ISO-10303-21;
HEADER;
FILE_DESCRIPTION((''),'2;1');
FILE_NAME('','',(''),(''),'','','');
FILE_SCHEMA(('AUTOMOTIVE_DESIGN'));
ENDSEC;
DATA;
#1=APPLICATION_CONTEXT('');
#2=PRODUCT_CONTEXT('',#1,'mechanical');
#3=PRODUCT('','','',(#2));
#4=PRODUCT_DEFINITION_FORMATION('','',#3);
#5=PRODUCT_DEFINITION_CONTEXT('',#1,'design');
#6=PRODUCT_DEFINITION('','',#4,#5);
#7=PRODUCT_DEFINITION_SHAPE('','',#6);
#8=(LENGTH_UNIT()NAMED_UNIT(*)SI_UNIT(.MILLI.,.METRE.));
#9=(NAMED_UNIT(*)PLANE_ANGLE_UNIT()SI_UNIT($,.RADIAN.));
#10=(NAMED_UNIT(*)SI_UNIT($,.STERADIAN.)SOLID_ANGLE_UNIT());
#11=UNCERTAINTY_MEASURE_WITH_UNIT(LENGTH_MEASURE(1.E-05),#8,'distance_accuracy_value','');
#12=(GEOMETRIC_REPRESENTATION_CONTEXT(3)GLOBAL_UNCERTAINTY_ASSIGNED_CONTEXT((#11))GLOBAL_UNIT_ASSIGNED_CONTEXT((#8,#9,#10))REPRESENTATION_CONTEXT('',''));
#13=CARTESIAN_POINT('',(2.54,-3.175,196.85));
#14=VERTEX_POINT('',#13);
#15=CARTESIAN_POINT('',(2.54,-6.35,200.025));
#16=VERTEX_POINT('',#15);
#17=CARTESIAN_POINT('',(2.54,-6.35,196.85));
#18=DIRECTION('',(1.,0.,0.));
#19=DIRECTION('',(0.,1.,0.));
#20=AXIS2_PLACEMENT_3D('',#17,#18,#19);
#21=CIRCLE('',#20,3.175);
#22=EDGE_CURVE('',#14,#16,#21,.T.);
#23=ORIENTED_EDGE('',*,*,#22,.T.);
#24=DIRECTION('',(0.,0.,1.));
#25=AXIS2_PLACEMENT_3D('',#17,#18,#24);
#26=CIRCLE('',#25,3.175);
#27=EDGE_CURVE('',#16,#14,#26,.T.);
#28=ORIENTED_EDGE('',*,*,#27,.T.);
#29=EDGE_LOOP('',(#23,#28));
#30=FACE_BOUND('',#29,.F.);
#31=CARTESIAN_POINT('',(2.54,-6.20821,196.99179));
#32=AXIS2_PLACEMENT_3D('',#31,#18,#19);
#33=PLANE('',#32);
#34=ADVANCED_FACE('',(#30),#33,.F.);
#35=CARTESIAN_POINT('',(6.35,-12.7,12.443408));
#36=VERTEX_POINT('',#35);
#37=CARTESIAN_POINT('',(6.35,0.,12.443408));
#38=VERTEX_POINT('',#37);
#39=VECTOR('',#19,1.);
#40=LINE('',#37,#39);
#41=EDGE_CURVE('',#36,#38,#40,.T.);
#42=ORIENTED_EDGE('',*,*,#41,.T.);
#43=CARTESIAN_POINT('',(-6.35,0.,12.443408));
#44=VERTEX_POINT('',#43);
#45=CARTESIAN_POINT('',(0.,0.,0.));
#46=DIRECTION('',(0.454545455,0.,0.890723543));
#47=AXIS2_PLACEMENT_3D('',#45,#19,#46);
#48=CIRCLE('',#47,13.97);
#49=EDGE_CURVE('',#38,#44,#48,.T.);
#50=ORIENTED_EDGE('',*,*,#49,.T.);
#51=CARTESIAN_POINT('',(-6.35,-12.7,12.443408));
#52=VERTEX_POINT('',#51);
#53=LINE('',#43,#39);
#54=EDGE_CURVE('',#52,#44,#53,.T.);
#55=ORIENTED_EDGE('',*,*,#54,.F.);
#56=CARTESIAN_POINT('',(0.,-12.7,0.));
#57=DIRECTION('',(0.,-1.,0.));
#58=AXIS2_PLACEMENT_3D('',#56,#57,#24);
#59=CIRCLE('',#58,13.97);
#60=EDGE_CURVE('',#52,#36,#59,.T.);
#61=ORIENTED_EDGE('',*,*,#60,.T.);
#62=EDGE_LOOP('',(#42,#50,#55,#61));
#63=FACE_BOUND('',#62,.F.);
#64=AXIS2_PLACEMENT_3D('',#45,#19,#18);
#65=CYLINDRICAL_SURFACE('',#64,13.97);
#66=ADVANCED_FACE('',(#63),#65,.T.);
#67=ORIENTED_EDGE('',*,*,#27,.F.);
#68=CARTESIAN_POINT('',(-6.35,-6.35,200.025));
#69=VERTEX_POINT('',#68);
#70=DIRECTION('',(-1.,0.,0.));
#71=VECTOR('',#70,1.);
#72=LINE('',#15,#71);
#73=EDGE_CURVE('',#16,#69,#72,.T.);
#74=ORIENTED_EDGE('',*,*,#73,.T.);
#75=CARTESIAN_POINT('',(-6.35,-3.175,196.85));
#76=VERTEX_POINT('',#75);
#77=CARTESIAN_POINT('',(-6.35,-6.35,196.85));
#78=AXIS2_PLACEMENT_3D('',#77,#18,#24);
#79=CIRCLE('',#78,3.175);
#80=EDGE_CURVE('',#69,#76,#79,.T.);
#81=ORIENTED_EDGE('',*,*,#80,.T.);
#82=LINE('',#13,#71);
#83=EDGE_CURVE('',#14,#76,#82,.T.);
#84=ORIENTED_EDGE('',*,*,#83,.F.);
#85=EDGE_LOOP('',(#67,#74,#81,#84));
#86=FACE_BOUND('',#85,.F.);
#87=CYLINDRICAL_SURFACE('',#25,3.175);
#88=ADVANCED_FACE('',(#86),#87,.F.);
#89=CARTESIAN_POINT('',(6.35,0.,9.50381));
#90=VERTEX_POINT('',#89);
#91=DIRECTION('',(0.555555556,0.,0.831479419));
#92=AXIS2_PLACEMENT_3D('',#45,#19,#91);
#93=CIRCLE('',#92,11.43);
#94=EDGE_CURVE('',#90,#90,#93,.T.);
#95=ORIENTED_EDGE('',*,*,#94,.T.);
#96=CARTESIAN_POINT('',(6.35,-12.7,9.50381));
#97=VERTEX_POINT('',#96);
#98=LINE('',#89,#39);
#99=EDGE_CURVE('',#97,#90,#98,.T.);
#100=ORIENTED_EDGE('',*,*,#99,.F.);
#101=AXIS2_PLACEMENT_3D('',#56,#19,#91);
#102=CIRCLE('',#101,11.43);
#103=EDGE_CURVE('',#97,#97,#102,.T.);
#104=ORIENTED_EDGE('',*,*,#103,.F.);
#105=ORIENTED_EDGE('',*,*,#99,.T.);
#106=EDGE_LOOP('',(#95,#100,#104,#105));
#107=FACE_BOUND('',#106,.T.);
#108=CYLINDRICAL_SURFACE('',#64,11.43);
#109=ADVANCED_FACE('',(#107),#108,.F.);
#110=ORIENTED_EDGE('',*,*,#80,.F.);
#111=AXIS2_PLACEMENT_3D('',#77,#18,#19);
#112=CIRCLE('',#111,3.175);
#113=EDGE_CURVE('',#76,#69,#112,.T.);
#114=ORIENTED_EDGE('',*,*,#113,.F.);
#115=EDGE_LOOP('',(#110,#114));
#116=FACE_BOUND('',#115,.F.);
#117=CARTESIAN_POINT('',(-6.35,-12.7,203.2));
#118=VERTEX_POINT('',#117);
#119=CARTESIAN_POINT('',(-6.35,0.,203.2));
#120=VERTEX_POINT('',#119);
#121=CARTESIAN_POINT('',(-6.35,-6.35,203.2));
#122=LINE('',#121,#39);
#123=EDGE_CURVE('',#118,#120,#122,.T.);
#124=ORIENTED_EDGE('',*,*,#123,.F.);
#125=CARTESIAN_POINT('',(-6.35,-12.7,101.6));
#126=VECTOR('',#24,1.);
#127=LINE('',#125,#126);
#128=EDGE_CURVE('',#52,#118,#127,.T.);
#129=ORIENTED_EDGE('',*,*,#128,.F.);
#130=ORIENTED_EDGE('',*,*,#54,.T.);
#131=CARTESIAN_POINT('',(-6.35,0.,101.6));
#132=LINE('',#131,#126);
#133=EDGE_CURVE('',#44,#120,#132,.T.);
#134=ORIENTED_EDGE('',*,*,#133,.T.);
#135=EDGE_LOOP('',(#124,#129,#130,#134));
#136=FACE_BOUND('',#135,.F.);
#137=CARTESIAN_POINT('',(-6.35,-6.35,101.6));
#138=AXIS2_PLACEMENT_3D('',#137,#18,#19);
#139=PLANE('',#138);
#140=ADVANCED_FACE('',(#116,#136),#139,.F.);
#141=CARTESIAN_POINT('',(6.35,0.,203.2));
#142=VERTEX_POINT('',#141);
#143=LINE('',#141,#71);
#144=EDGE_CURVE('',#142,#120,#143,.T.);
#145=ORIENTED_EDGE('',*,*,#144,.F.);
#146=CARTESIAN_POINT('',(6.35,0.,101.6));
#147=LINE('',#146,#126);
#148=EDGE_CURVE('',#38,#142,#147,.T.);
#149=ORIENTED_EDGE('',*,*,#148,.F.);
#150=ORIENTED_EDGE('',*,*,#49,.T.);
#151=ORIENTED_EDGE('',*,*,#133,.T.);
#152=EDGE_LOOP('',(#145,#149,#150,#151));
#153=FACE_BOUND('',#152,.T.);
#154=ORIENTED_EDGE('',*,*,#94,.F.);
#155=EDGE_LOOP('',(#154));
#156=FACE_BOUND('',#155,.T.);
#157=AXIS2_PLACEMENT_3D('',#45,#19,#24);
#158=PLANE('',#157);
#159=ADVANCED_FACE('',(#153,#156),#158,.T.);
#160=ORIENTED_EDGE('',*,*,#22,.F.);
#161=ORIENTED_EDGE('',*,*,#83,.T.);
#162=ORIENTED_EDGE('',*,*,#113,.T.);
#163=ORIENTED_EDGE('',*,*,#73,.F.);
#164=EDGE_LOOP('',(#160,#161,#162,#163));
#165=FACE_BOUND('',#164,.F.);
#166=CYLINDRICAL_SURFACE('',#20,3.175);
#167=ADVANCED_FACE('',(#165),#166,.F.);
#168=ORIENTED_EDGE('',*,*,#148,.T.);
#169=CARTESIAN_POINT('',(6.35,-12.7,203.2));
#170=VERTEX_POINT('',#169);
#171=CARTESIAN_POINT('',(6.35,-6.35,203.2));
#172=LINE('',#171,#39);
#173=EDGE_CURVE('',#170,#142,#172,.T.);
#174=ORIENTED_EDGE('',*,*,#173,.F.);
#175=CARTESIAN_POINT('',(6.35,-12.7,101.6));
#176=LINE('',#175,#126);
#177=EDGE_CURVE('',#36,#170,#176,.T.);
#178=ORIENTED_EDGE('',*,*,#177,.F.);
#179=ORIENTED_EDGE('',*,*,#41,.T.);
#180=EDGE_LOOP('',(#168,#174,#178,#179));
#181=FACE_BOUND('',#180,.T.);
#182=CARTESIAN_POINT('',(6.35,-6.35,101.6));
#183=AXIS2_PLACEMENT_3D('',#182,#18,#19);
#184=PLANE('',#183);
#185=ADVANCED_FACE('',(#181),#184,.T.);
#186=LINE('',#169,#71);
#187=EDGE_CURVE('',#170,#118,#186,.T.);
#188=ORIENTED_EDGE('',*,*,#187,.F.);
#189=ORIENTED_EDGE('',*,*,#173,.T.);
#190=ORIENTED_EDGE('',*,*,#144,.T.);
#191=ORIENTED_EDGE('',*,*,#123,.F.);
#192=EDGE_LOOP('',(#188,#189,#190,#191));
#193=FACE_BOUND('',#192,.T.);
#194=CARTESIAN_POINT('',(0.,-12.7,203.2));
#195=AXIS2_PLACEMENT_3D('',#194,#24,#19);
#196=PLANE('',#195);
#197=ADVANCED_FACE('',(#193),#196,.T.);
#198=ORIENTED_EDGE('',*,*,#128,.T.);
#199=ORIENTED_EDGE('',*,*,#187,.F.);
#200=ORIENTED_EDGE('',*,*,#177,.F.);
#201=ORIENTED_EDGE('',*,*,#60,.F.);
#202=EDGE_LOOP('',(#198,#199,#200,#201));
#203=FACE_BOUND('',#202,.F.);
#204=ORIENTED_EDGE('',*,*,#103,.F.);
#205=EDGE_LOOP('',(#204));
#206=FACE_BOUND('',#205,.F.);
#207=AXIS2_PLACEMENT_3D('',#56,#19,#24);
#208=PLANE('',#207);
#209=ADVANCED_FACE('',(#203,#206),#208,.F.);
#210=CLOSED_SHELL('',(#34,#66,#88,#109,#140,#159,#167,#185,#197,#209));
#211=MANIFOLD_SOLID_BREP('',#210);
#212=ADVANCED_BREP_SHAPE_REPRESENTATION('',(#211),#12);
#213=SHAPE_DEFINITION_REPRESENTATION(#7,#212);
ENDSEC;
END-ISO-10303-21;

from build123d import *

# Parameters (mm, degrees)
F0_R          = 13.97
F0_R_2        = 11.43
F1_DEPTH      = 12.7
F2_W          = 12.7
F2_H          = 203.2
F3_DEPTH      = 6.35
F3_DEPTH_BACK = 6.35
F4_DEPTH      = 25.4
F6_START      = -3.81
F6_DEPTH      = 10.54779


with BuildPart() as f1:
    # F0 (on Front) → F1 (new body)
    with BuildSketch(Plane.XZ):
        Circle(F0_R)
        Circle(F0_R_2, mode=Mode.SUBTRACT)
    extrude(amount=F1_DEPTH)

    # F2 (on Right) → F3 (join, two sides)
    with BuildSketch(Plane.YZ) as f3_sk:
        with Locations((-6.35, 101.6)):
            Rectangle(F2_W, F2_H)
    extrude(amount=F3_DEPTH)
    extrude(f3_sk.sketch, amount=-F3_DEPTH_BACK)

    # F0 (on Front) → F4 (cut)
    with BuildSketch(Plane.XZ):
        Circle(F0_R_2)
    extrude(amount=F4_DEPTH, mode=Mode.SUBTRACT)

    # F5 (on face) → F6 (cut)
    with BuildSketch(Plane.YZ.offset(6.35).offset(F6_START)):
        with BuildLine():
            ThreePointArc((-3.175, 196.85), (-4.1049359697, 199.0950640303), (-6.35, 200.025))
            ThreePointArc((-6.35, 200.025), (-8.5950640303, 194.6049359697), (-3.175, 196.85))
        make_face()
    extrude(amount=-F6_DEPTH, mode=Mode.SUBTRACT)


solid = f1.part
